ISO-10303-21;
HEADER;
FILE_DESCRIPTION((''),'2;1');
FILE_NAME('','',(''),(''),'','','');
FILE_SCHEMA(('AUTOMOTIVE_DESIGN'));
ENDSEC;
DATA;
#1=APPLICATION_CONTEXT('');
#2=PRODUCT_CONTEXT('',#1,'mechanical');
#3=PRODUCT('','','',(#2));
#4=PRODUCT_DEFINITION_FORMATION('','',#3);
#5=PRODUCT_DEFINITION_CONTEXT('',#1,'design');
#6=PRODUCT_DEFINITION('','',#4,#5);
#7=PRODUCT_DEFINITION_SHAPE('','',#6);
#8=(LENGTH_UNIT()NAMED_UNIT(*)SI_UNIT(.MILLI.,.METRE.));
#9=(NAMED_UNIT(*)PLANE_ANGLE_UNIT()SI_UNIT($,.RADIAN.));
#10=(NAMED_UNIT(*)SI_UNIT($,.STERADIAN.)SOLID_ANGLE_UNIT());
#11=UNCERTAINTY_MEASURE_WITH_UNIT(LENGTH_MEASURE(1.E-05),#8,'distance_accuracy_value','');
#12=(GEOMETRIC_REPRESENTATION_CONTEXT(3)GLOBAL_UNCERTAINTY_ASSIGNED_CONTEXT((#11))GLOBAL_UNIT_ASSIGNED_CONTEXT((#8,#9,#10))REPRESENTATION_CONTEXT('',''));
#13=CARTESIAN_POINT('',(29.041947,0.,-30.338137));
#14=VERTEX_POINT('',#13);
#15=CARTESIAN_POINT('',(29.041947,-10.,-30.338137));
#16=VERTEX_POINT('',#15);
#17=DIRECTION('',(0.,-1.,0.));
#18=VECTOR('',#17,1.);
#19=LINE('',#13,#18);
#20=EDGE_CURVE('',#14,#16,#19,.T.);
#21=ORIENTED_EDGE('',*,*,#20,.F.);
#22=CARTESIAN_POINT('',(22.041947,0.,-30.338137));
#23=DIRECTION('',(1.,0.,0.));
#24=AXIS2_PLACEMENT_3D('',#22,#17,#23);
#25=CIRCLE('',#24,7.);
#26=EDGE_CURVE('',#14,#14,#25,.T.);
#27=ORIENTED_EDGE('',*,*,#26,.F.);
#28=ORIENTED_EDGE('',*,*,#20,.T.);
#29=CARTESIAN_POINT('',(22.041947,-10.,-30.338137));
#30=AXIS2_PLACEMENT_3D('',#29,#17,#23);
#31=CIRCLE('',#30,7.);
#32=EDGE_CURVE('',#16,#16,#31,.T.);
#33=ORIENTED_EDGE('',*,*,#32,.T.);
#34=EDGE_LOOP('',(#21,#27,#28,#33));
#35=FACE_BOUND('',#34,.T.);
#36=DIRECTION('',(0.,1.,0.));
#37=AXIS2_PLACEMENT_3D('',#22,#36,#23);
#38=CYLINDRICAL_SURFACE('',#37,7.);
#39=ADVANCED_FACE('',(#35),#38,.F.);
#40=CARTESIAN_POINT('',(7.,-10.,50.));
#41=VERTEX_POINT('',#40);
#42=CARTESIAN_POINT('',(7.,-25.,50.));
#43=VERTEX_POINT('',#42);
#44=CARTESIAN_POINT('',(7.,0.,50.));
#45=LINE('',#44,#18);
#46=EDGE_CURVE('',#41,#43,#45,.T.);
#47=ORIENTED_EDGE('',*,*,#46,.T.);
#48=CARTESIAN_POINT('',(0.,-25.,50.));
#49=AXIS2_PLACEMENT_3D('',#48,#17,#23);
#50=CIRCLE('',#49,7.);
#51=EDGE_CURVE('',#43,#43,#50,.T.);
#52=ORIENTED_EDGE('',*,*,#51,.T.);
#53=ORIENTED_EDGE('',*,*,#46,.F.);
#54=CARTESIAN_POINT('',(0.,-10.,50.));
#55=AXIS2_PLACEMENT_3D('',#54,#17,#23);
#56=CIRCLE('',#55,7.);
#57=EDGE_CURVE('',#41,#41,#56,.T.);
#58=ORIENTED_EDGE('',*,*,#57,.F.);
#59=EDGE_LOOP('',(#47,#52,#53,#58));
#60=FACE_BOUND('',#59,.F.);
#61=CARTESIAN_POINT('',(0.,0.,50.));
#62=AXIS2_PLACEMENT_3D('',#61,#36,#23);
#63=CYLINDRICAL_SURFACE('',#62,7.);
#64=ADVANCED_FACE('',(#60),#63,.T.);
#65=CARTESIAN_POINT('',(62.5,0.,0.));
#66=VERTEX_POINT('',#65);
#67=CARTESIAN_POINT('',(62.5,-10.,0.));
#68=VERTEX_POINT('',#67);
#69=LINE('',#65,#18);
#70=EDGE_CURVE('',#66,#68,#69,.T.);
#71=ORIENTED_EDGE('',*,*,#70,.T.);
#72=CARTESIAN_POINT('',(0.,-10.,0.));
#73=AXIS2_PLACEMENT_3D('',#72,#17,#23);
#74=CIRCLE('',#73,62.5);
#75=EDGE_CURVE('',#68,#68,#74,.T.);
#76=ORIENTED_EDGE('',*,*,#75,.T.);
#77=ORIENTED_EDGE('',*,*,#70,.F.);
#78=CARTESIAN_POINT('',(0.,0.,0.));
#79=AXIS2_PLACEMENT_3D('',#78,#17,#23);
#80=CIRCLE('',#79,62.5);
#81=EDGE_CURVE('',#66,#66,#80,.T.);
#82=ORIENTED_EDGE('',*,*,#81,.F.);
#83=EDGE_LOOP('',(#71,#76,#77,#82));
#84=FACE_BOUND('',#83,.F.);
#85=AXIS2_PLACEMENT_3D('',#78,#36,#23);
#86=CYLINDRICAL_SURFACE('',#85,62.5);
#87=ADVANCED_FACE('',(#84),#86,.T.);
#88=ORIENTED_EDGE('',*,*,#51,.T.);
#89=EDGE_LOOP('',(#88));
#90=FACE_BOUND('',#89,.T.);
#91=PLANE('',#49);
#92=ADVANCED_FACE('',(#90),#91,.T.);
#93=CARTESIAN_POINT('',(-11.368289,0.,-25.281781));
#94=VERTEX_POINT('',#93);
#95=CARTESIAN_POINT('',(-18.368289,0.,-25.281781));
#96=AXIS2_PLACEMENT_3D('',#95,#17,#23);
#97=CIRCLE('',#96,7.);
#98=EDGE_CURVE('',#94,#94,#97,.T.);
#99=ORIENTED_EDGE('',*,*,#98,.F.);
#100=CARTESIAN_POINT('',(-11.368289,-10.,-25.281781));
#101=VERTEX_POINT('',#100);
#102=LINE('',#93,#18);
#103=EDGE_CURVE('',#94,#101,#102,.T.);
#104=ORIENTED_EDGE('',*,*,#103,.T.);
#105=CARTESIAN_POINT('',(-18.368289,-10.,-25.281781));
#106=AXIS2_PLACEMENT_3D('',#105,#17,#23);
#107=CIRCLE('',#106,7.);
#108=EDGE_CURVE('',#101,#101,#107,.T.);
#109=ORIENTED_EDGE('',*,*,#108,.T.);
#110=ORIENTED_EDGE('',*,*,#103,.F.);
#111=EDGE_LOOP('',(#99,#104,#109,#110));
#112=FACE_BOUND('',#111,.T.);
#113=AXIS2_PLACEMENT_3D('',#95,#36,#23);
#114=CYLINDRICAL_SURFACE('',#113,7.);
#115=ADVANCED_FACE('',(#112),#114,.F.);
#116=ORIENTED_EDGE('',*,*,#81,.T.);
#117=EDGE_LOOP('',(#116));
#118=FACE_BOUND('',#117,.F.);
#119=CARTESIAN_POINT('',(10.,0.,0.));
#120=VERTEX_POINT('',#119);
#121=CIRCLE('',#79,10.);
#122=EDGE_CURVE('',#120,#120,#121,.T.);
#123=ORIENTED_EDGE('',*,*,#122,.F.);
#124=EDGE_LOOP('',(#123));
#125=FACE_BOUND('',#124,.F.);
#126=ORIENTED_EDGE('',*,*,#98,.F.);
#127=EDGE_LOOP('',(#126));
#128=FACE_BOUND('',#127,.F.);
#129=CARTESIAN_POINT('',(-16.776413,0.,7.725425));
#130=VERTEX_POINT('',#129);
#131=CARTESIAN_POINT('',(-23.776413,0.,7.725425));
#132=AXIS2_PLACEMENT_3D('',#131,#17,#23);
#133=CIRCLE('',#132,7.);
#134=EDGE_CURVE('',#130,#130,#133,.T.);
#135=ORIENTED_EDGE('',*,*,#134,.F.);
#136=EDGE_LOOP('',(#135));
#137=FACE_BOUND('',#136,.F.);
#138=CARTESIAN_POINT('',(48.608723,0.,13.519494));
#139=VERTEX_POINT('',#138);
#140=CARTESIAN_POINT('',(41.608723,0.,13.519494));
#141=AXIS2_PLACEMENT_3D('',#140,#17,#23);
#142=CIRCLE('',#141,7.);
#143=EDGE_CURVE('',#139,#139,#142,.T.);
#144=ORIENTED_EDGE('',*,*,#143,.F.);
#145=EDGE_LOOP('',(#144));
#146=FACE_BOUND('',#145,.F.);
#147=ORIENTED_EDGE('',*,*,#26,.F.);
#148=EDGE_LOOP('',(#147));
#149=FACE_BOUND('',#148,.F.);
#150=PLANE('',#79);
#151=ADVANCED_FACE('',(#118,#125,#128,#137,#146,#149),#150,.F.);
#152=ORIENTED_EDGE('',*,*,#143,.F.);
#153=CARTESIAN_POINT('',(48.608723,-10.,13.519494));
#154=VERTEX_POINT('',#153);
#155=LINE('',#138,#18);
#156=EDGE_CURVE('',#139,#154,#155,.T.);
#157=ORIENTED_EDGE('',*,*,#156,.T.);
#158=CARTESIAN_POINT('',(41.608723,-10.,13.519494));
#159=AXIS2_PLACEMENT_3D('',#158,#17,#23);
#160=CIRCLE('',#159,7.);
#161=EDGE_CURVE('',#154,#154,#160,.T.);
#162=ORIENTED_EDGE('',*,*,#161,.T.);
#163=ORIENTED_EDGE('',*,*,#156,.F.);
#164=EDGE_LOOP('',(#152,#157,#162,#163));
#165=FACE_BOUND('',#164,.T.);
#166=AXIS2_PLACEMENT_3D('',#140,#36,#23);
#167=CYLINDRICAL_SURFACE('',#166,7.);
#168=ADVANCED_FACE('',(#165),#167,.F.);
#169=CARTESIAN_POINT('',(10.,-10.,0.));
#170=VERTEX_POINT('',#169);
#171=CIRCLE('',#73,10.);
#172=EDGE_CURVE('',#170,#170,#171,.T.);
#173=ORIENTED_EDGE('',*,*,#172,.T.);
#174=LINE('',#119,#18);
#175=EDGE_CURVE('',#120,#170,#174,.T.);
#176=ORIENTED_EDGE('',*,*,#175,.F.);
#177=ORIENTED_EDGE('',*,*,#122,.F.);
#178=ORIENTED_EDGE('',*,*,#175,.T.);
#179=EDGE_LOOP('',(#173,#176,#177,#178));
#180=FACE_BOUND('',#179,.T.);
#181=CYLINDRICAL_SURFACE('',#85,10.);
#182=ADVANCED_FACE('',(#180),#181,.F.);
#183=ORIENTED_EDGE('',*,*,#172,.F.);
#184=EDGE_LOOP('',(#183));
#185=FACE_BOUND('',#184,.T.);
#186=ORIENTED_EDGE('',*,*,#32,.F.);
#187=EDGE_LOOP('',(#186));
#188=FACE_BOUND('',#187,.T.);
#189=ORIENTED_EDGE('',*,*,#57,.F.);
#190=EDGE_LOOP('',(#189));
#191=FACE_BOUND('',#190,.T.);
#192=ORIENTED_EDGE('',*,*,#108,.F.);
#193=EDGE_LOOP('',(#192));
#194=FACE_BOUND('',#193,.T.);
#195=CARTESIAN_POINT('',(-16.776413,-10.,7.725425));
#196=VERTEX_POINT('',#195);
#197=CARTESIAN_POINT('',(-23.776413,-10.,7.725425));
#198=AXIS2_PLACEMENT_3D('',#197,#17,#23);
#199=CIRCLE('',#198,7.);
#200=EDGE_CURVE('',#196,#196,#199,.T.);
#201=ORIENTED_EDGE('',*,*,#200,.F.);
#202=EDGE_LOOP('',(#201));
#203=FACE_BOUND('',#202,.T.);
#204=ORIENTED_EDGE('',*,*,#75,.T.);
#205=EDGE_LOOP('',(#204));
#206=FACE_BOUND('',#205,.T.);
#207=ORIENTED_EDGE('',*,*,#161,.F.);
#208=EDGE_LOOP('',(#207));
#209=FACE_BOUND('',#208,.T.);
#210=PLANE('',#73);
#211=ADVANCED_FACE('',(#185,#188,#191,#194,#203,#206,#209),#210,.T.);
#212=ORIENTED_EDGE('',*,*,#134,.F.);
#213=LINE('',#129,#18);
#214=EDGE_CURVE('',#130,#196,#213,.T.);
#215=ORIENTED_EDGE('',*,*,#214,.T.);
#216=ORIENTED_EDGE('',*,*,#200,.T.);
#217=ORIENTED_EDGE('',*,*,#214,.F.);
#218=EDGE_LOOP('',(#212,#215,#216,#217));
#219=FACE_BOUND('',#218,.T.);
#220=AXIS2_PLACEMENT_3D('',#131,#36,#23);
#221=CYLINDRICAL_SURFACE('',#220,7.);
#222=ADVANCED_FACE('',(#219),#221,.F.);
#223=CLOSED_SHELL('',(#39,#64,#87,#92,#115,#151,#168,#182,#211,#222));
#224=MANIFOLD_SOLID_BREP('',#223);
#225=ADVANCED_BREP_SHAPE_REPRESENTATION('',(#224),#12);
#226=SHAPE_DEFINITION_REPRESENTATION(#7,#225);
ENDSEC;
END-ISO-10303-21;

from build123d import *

# Parameters (mm, degrees)
F0_R     = 62.5
F0_R_2   = 7
F0_R_3   = 10
F1_DEPTH = 10
F2_R     = 7
F3_DEPTH = 25


with BuildPart() as f1:
    # F0 (on Front) → F1 (new body)
    with BuildSketch(Plane.XZ):
        Circle(F0_R)
        with Locations((-18.368289, -25.281781)):
            Circle(F0_R_2, mode=Mode.SUBTRACT)
        with Locations((22.041947, -30.338137)):
            Circle(F0_R_2, mode=Mode.SUBTRACT)
        with Locations((-23.776413, 7.725425)):
            Circle(F0_R_2, mode=Mode.SUBTRACT)
        Circle(F0_R_3, mode=Mode.SUBTRACT)
        with Locations((41.608723, 13.519494)):
            Circle(F0_R_2, mode=Mode.SUBTRACT)
        with Locations((0, 50)):
            Circle(F0_R_2, mode=Mode.SUBTRACT)
    extrude(amount=F1_DEPTH)

    # F2 (on Front) → F3 (join)
    with BuildSketch(Plane.XZ):
        with Locations((0, 50)):
            Circle(F2_R)
    extrude(amount=F3_DEPTH)


solid = f1.part
